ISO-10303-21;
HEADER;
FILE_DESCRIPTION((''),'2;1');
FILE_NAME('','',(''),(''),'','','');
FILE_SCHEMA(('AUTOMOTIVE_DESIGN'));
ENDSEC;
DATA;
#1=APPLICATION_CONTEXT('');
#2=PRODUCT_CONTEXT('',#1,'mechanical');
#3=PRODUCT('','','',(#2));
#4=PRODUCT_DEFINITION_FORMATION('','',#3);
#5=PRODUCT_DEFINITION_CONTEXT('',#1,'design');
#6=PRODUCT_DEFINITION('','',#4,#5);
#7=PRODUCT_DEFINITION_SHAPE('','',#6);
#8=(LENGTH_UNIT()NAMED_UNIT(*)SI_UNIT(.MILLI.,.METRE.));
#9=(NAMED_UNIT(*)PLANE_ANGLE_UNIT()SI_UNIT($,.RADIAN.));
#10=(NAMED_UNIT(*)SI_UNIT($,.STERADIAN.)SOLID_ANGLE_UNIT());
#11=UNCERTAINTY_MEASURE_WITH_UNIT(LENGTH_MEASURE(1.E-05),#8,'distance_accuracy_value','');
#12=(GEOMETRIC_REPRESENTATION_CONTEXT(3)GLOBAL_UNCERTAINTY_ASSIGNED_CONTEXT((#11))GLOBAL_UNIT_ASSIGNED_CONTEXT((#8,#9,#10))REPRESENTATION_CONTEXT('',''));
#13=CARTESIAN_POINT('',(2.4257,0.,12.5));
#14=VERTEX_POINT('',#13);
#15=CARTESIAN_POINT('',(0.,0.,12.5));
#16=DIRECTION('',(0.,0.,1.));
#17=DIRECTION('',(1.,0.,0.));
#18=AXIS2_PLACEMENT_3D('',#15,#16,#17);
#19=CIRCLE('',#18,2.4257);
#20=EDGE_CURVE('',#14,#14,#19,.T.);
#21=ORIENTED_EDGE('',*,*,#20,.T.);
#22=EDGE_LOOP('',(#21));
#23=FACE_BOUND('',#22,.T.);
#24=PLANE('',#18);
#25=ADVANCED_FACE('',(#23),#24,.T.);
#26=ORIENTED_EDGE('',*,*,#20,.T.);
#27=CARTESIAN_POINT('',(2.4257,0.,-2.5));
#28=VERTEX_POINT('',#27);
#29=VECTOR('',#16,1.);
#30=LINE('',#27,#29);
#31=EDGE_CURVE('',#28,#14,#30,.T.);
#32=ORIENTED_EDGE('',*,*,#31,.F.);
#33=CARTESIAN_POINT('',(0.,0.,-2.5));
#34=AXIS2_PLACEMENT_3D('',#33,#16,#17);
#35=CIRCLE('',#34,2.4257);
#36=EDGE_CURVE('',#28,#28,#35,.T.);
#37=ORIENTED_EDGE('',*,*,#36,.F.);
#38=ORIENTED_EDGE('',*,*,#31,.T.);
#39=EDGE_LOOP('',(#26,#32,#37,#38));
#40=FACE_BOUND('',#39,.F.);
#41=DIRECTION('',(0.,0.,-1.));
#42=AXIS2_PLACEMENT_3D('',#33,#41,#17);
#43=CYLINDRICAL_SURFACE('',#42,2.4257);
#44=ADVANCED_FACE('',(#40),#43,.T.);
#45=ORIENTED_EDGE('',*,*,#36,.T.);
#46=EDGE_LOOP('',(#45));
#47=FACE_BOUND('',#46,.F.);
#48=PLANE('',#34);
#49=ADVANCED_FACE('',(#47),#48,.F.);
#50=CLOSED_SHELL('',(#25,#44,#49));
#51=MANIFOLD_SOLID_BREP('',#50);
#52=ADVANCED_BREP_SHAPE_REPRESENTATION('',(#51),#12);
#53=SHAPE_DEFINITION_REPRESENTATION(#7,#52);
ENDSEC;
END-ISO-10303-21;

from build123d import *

# Parameters (mm, degrees)
CYLINDER_R     = 2.4257
CYLINDER_DEPTH = 15


with BuildPart() as part:
    # Cylinder → Cylinder (new body)
    with BuildSketch(Plane.XY.offset(-2.5)):
        Circle(CYLINDER_R)
    extrude(amount=CYLINDER_DEPTH)


solid = part.part
